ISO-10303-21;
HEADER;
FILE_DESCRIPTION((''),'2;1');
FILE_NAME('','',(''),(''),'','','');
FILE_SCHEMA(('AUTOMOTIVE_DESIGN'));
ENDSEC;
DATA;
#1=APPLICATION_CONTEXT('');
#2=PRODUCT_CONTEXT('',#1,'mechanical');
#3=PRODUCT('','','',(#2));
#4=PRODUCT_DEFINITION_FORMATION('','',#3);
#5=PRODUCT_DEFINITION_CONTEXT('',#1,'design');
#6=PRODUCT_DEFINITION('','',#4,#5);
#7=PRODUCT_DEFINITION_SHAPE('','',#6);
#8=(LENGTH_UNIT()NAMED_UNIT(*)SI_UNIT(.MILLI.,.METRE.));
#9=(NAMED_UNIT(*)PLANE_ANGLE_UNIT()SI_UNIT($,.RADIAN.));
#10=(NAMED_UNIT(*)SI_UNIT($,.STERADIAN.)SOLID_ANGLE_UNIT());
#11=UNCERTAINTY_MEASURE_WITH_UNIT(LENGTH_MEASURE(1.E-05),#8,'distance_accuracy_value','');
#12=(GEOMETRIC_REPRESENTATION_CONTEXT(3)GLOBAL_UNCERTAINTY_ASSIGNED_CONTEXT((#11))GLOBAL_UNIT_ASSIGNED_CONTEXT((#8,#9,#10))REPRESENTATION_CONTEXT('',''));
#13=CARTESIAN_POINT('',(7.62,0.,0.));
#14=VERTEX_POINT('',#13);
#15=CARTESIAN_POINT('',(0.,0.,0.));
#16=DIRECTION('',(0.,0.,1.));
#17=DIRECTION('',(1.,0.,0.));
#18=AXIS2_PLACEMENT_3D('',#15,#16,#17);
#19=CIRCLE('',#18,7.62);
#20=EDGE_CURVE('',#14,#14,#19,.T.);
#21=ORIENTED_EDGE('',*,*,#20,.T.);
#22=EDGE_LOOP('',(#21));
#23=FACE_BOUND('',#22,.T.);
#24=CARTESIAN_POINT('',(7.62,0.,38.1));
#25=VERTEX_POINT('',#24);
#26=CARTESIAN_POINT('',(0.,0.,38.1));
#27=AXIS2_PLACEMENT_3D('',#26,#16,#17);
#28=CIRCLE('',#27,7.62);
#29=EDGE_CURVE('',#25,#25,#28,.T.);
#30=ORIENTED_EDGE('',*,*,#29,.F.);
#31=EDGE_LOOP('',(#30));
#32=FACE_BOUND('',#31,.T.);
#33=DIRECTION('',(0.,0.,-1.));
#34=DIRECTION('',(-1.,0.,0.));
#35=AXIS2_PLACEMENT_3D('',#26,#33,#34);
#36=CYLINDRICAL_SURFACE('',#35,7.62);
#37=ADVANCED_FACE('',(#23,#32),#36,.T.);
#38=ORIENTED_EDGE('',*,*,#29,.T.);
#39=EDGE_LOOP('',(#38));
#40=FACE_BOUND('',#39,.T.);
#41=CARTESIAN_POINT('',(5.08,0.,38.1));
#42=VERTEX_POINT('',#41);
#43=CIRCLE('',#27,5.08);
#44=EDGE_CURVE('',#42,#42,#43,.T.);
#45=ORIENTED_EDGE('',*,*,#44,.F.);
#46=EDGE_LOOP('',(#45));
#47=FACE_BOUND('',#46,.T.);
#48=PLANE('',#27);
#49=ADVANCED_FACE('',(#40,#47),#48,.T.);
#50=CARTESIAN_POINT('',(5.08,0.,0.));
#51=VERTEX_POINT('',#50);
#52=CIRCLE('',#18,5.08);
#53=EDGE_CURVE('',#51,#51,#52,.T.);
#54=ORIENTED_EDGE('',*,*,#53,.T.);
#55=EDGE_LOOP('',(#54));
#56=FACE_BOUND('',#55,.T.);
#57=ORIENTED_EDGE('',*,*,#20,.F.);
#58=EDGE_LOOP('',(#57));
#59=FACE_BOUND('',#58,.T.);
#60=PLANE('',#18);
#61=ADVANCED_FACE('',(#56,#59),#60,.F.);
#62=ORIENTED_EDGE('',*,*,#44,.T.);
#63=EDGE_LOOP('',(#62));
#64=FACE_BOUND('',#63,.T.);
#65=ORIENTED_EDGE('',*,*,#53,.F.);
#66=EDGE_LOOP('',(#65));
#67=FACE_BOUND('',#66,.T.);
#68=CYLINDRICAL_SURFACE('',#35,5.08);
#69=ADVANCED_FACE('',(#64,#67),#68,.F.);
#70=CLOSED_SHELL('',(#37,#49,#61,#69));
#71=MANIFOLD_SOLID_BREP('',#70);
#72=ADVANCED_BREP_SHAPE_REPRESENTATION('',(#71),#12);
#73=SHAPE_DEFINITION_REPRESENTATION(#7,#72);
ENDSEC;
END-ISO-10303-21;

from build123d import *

# Parameters (mm, degrees)
SKETCH1_R           = 7.62
SKETCH1_R_2         = 5.08
BOSS_EXTRUDE1_DEPTH = 38.1


with BuildPart() as part:
    # Sketch1 → Boss-Extrude1 (new body)
    with BuildSketch(Plane.XY):
        Circle(SKETCH1_R)
        Circle(SKETCH1_R_2, mode=Mode.SUBTRACT)
    extrude(amount=BOSS_EXTRUDE1_DEPTH)


solid = part.part
